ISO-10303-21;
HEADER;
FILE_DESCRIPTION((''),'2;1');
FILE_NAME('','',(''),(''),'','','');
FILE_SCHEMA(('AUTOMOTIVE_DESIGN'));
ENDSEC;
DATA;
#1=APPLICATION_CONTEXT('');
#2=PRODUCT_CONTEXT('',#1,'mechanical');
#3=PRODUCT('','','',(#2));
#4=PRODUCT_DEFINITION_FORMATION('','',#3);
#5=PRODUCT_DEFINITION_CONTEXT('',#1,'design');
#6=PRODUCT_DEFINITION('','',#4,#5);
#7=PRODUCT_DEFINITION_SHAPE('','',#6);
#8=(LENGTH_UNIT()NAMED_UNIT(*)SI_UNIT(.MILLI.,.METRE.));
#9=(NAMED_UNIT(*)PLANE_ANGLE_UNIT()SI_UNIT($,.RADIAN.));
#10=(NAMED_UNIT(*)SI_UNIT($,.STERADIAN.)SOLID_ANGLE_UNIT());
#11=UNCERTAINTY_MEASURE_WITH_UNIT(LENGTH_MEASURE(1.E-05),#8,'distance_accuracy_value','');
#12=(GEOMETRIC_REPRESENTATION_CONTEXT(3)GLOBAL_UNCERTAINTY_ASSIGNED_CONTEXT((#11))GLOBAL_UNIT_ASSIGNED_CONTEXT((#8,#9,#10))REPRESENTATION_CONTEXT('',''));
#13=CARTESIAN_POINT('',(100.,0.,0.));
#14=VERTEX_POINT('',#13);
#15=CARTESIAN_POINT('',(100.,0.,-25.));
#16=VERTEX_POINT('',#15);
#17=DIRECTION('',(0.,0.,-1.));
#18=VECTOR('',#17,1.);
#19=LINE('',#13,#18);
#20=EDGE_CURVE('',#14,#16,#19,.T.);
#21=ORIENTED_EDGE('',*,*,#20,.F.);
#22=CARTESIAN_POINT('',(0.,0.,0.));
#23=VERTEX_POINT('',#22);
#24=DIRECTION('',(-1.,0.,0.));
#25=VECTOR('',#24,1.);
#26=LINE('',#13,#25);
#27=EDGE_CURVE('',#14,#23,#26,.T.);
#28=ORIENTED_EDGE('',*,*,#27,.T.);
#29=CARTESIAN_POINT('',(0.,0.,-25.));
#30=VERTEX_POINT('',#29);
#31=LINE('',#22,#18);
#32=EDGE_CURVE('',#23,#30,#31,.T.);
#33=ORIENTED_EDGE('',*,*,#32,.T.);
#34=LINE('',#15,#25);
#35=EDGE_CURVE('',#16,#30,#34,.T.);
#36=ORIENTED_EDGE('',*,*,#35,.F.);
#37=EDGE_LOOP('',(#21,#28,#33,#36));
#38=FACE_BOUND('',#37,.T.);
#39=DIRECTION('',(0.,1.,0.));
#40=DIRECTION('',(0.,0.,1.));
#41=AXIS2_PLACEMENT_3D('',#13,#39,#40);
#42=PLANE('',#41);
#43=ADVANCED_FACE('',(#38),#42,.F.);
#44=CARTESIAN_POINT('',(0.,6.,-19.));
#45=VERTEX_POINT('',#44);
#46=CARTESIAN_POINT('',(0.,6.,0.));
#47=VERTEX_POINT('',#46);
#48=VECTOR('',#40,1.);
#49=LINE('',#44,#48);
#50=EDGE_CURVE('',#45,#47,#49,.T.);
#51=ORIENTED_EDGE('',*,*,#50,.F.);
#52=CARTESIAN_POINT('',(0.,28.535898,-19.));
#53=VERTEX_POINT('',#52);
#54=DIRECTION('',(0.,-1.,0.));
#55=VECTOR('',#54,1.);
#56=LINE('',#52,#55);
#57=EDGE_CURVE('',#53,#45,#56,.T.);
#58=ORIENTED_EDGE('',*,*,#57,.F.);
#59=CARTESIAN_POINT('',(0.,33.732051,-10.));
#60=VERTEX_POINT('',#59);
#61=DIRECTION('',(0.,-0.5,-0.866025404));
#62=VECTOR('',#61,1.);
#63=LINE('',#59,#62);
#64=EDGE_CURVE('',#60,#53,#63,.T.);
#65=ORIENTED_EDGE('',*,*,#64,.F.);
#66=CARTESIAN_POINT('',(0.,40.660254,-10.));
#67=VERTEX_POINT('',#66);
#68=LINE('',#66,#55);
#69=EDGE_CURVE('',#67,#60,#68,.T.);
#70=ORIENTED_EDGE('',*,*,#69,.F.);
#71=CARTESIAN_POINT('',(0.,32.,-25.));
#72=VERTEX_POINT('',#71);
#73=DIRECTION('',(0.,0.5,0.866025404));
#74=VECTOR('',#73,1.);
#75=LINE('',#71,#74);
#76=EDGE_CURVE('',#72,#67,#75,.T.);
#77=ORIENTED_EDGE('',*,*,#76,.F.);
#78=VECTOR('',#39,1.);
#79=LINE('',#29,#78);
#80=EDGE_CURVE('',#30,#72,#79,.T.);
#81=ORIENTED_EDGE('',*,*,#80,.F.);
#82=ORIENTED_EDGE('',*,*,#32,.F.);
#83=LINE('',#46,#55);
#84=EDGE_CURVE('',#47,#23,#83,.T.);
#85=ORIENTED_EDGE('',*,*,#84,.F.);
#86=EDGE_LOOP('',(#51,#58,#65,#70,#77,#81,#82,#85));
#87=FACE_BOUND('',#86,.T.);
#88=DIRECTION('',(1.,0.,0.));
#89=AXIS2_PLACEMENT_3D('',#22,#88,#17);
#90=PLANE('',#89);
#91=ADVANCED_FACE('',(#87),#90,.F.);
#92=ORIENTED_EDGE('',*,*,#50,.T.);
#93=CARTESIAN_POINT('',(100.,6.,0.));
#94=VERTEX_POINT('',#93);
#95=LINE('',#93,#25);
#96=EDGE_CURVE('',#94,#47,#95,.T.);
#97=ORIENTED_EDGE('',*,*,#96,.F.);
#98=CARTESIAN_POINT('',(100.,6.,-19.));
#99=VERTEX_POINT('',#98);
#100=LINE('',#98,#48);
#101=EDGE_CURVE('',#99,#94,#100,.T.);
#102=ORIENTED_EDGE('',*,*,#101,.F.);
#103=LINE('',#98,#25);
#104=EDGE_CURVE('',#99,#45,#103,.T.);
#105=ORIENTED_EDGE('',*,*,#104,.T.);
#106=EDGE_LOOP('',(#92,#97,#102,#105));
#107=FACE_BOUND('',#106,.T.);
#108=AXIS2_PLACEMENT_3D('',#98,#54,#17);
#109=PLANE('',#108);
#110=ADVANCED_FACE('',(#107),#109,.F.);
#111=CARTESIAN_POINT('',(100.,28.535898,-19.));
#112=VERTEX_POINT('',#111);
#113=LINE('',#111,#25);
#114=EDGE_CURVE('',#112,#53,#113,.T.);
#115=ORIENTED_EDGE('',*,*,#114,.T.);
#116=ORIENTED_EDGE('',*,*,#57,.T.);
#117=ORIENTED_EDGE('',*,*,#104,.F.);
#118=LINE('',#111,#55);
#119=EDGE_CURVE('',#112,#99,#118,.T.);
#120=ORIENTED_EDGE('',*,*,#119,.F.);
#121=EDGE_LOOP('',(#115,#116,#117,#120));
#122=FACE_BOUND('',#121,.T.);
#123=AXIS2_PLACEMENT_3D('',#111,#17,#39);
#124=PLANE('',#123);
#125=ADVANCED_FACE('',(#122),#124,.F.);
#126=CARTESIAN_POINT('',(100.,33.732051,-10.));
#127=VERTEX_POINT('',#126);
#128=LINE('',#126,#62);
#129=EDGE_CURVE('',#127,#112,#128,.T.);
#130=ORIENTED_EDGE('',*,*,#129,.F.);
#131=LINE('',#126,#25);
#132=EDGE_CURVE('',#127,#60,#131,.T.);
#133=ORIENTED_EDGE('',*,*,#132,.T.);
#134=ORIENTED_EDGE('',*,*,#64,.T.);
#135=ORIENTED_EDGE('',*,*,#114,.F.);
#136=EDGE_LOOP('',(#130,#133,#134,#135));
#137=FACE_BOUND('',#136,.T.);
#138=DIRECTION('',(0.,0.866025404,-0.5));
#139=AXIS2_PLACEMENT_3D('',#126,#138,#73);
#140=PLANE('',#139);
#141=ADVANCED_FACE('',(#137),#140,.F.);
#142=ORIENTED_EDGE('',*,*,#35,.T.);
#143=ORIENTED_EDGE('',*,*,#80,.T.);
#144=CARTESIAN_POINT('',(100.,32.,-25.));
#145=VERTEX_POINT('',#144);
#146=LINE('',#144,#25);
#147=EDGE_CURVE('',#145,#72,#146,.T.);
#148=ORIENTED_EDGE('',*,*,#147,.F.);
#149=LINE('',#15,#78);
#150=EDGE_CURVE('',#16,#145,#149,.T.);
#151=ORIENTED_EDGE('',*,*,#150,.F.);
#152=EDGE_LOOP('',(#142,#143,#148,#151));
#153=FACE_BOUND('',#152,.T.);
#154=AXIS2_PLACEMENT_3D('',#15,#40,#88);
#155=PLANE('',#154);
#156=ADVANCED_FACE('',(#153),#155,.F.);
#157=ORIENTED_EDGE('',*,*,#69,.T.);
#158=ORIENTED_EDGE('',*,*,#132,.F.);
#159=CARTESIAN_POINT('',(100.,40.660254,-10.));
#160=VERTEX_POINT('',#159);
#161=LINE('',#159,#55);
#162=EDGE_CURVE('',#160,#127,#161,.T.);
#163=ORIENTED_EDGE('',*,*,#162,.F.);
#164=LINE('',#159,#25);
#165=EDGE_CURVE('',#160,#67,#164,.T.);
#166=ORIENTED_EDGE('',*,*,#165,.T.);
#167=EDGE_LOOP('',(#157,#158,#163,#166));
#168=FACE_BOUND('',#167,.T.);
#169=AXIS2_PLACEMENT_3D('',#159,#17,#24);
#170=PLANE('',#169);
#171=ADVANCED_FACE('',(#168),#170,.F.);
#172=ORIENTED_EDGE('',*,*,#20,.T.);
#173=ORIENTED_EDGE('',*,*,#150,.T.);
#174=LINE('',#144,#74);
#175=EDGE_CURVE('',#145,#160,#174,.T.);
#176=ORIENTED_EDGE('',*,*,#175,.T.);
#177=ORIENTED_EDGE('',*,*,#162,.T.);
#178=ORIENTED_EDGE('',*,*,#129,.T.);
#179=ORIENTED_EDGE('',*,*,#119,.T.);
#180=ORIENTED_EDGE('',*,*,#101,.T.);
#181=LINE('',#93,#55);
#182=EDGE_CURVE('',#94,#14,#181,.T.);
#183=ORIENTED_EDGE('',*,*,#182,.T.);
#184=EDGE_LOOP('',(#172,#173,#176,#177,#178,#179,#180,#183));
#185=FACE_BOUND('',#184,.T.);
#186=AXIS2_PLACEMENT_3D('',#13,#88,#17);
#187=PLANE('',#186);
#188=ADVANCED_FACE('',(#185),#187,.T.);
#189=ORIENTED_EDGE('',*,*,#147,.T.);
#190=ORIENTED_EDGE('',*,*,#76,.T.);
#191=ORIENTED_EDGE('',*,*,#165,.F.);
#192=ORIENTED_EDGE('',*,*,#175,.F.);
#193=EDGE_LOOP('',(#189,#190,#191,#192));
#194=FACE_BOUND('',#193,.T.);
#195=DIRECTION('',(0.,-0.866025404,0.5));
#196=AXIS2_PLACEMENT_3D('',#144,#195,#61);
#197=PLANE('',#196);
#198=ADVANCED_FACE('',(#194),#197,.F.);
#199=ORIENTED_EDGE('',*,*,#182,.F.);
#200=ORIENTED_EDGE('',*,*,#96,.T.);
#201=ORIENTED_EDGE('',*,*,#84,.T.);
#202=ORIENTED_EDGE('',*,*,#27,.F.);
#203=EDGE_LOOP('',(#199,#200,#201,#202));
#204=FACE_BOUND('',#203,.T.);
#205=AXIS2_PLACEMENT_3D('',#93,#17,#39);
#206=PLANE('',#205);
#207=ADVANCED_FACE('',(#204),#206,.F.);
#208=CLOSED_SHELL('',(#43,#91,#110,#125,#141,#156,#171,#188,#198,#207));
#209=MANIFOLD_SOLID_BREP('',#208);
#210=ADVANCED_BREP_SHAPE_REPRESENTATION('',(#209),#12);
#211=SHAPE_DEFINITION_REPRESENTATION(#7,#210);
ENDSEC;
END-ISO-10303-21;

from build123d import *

# Parameters (mm, degrees)
EXTRUDE_1_DEPTH = 100


with BuildPart() as part:
    # Эскиз1 → Бобышка-Вытянуть1 (new body)
    with BuildSketch(Plane(origin=(0, 0, 0), x_dir=(0, 0, -1), z_dir=(1, 0, 0))):
        Polygon((0, 0), (25, 0), (25, 32), (10, 40.660254038), (10, 33.732050808), (19, 28.535898385), (19, 6), (0, 6), align=None)
    extrude(amount=EXTRUDE_1_DEPTH)


solid = part.part
